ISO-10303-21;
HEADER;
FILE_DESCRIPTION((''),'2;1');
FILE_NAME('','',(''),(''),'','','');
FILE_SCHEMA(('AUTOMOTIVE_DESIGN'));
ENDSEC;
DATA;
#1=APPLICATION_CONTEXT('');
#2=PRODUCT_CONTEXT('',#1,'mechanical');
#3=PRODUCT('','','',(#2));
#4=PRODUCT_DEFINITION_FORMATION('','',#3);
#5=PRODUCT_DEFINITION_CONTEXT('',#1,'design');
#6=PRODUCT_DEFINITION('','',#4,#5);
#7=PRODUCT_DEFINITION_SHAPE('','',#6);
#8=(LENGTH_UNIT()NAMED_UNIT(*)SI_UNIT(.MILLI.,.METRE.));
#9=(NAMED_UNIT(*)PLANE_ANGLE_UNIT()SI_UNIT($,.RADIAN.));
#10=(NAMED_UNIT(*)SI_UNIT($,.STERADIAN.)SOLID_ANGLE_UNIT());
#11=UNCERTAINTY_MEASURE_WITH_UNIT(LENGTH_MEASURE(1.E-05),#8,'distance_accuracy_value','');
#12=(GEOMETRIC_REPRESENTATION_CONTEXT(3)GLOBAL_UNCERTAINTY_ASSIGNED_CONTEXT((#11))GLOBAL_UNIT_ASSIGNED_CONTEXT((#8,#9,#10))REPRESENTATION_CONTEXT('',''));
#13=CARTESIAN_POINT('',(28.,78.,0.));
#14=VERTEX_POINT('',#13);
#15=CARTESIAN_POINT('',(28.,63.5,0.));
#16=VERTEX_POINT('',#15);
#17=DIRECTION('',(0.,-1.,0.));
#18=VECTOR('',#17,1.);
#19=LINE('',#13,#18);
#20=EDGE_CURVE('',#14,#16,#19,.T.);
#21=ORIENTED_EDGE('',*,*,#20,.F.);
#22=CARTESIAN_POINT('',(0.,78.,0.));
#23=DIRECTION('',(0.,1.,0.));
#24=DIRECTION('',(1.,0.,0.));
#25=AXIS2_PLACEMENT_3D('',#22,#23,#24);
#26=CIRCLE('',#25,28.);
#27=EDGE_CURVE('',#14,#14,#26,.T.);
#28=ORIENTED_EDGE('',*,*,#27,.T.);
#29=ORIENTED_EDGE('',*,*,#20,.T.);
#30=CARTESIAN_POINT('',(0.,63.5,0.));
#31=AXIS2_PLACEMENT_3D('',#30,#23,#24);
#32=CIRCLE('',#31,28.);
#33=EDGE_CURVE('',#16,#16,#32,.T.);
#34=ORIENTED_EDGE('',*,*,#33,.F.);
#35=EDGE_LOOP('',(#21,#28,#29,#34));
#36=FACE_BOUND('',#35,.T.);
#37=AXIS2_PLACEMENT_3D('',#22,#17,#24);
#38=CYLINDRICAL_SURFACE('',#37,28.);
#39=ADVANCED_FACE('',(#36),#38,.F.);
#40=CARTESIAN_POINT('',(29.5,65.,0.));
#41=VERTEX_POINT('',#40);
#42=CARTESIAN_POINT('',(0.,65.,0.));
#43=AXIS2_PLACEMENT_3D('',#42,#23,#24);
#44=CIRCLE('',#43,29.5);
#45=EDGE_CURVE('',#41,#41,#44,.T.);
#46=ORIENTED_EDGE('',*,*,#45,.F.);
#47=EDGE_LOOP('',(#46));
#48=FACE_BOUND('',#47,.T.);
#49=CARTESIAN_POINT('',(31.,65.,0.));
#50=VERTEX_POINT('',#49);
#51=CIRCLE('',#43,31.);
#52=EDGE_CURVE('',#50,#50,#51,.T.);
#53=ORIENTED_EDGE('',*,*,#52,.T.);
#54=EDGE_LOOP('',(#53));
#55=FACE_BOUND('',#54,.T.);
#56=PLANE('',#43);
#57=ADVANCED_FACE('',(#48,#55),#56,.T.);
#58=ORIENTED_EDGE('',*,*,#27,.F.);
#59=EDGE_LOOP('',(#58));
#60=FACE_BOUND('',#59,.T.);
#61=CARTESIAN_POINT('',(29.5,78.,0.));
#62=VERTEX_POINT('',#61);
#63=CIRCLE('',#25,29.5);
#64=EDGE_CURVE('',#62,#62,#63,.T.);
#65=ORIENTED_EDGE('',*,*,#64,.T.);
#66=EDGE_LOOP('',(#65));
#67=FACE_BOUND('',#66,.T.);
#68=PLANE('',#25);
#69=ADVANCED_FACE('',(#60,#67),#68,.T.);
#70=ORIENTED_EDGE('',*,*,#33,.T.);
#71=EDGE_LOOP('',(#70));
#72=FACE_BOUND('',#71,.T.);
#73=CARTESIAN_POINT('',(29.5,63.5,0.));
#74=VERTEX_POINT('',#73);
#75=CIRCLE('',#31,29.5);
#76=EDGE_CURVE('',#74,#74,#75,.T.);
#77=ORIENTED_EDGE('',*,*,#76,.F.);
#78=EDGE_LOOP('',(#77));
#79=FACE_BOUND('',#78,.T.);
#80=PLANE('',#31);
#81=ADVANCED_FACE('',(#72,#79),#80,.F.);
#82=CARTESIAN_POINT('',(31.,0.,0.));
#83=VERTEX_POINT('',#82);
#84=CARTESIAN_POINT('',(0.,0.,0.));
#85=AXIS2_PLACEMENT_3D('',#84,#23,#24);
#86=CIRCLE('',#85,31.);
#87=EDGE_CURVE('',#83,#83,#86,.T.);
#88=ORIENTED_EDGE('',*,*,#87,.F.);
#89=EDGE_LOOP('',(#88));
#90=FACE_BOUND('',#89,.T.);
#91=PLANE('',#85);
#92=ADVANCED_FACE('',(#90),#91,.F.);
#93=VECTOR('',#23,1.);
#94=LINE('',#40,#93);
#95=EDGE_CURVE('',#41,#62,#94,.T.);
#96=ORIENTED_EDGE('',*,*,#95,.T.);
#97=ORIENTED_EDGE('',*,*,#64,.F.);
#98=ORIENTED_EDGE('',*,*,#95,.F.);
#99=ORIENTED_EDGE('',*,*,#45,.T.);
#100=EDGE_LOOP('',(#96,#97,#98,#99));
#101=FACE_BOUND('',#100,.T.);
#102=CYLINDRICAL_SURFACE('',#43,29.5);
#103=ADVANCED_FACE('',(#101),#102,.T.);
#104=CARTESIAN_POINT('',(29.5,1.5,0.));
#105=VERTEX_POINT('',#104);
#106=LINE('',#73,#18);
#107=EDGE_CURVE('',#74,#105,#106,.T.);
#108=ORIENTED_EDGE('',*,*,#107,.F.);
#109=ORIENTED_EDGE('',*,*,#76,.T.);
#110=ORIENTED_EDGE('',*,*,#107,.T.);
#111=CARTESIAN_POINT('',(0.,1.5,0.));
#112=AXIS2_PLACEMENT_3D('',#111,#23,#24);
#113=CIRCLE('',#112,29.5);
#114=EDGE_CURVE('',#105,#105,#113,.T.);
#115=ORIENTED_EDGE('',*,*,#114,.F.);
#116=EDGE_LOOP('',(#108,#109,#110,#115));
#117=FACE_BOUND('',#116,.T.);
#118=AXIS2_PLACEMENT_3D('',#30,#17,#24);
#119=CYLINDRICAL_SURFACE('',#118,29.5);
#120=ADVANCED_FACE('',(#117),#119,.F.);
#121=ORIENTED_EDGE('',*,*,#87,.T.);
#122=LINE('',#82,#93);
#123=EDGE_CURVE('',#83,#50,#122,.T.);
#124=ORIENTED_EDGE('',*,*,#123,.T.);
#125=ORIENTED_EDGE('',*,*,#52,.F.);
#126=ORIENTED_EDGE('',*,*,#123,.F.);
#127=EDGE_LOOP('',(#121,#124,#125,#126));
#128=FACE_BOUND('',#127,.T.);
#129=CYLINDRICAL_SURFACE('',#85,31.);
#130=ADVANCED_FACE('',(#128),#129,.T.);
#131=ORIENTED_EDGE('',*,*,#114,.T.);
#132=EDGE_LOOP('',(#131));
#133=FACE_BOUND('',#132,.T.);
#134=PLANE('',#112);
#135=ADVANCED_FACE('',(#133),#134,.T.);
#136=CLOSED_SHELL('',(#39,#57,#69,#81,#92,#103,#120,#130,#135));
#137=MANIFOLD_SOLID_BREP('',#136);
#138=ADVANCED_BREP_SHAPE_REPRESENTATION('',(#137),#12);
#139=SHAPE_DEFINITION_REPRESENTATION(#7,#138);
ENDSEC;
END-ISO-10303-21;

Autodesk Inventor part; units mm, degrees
ref_plane "YZ Plane" through (0, 0, 0) normal (1, 0, 0) x (0, 1, 0)
ref_plane "XZ Plane" through (0, 0, 0) normal (0, 1, 0) x (-1, 0, 0)
ref_plane "XY Plane" through (0, 0, 0) normal (0, 0, 1) x (1, 0, 0)
sketch "Sketch1" plane through (0, 0, 0) normal (0, 0, 1) x (1, 0, 0)
  line L0 (0, 0) -> (31, 0)
  line L1 (31, 0) -> (31, 65)
  line L2 (31, 65) -> (29.5, 65)
  line L3 (29.5, 65) -> (29.5, 78)
  line L4 (29.5, 78) -> (28, 78)
  line L5 (28, 76.5) -> (28, 76.5)
  line L6 (28, 78) -> (28, 63.5)
  line L7 (28, 63.5) -> (29.5, 63.5)
  line L8 (29.5, 63.5) -> (29.5, 1.5)
  line L9 (29.5, 1.5) -> (0, 1.5)
  line L10 (0, 0) -> (0, 76.5) construction
  line L11 (0, 0) -> (0, 1.5)
  dimension "d1" = 31
  dimension "d2" = 65
  dimension "d3" = 1.5
  dimension "d4" = 13
  dimension "d5" = 1.5
  dimension "d6" = 1.5
revolve "Revolution1" add sketch "Sketch1" angle 360 about axis through (0, 0, 0) along (0, 1, 0)
properties part number "yellow_base"
